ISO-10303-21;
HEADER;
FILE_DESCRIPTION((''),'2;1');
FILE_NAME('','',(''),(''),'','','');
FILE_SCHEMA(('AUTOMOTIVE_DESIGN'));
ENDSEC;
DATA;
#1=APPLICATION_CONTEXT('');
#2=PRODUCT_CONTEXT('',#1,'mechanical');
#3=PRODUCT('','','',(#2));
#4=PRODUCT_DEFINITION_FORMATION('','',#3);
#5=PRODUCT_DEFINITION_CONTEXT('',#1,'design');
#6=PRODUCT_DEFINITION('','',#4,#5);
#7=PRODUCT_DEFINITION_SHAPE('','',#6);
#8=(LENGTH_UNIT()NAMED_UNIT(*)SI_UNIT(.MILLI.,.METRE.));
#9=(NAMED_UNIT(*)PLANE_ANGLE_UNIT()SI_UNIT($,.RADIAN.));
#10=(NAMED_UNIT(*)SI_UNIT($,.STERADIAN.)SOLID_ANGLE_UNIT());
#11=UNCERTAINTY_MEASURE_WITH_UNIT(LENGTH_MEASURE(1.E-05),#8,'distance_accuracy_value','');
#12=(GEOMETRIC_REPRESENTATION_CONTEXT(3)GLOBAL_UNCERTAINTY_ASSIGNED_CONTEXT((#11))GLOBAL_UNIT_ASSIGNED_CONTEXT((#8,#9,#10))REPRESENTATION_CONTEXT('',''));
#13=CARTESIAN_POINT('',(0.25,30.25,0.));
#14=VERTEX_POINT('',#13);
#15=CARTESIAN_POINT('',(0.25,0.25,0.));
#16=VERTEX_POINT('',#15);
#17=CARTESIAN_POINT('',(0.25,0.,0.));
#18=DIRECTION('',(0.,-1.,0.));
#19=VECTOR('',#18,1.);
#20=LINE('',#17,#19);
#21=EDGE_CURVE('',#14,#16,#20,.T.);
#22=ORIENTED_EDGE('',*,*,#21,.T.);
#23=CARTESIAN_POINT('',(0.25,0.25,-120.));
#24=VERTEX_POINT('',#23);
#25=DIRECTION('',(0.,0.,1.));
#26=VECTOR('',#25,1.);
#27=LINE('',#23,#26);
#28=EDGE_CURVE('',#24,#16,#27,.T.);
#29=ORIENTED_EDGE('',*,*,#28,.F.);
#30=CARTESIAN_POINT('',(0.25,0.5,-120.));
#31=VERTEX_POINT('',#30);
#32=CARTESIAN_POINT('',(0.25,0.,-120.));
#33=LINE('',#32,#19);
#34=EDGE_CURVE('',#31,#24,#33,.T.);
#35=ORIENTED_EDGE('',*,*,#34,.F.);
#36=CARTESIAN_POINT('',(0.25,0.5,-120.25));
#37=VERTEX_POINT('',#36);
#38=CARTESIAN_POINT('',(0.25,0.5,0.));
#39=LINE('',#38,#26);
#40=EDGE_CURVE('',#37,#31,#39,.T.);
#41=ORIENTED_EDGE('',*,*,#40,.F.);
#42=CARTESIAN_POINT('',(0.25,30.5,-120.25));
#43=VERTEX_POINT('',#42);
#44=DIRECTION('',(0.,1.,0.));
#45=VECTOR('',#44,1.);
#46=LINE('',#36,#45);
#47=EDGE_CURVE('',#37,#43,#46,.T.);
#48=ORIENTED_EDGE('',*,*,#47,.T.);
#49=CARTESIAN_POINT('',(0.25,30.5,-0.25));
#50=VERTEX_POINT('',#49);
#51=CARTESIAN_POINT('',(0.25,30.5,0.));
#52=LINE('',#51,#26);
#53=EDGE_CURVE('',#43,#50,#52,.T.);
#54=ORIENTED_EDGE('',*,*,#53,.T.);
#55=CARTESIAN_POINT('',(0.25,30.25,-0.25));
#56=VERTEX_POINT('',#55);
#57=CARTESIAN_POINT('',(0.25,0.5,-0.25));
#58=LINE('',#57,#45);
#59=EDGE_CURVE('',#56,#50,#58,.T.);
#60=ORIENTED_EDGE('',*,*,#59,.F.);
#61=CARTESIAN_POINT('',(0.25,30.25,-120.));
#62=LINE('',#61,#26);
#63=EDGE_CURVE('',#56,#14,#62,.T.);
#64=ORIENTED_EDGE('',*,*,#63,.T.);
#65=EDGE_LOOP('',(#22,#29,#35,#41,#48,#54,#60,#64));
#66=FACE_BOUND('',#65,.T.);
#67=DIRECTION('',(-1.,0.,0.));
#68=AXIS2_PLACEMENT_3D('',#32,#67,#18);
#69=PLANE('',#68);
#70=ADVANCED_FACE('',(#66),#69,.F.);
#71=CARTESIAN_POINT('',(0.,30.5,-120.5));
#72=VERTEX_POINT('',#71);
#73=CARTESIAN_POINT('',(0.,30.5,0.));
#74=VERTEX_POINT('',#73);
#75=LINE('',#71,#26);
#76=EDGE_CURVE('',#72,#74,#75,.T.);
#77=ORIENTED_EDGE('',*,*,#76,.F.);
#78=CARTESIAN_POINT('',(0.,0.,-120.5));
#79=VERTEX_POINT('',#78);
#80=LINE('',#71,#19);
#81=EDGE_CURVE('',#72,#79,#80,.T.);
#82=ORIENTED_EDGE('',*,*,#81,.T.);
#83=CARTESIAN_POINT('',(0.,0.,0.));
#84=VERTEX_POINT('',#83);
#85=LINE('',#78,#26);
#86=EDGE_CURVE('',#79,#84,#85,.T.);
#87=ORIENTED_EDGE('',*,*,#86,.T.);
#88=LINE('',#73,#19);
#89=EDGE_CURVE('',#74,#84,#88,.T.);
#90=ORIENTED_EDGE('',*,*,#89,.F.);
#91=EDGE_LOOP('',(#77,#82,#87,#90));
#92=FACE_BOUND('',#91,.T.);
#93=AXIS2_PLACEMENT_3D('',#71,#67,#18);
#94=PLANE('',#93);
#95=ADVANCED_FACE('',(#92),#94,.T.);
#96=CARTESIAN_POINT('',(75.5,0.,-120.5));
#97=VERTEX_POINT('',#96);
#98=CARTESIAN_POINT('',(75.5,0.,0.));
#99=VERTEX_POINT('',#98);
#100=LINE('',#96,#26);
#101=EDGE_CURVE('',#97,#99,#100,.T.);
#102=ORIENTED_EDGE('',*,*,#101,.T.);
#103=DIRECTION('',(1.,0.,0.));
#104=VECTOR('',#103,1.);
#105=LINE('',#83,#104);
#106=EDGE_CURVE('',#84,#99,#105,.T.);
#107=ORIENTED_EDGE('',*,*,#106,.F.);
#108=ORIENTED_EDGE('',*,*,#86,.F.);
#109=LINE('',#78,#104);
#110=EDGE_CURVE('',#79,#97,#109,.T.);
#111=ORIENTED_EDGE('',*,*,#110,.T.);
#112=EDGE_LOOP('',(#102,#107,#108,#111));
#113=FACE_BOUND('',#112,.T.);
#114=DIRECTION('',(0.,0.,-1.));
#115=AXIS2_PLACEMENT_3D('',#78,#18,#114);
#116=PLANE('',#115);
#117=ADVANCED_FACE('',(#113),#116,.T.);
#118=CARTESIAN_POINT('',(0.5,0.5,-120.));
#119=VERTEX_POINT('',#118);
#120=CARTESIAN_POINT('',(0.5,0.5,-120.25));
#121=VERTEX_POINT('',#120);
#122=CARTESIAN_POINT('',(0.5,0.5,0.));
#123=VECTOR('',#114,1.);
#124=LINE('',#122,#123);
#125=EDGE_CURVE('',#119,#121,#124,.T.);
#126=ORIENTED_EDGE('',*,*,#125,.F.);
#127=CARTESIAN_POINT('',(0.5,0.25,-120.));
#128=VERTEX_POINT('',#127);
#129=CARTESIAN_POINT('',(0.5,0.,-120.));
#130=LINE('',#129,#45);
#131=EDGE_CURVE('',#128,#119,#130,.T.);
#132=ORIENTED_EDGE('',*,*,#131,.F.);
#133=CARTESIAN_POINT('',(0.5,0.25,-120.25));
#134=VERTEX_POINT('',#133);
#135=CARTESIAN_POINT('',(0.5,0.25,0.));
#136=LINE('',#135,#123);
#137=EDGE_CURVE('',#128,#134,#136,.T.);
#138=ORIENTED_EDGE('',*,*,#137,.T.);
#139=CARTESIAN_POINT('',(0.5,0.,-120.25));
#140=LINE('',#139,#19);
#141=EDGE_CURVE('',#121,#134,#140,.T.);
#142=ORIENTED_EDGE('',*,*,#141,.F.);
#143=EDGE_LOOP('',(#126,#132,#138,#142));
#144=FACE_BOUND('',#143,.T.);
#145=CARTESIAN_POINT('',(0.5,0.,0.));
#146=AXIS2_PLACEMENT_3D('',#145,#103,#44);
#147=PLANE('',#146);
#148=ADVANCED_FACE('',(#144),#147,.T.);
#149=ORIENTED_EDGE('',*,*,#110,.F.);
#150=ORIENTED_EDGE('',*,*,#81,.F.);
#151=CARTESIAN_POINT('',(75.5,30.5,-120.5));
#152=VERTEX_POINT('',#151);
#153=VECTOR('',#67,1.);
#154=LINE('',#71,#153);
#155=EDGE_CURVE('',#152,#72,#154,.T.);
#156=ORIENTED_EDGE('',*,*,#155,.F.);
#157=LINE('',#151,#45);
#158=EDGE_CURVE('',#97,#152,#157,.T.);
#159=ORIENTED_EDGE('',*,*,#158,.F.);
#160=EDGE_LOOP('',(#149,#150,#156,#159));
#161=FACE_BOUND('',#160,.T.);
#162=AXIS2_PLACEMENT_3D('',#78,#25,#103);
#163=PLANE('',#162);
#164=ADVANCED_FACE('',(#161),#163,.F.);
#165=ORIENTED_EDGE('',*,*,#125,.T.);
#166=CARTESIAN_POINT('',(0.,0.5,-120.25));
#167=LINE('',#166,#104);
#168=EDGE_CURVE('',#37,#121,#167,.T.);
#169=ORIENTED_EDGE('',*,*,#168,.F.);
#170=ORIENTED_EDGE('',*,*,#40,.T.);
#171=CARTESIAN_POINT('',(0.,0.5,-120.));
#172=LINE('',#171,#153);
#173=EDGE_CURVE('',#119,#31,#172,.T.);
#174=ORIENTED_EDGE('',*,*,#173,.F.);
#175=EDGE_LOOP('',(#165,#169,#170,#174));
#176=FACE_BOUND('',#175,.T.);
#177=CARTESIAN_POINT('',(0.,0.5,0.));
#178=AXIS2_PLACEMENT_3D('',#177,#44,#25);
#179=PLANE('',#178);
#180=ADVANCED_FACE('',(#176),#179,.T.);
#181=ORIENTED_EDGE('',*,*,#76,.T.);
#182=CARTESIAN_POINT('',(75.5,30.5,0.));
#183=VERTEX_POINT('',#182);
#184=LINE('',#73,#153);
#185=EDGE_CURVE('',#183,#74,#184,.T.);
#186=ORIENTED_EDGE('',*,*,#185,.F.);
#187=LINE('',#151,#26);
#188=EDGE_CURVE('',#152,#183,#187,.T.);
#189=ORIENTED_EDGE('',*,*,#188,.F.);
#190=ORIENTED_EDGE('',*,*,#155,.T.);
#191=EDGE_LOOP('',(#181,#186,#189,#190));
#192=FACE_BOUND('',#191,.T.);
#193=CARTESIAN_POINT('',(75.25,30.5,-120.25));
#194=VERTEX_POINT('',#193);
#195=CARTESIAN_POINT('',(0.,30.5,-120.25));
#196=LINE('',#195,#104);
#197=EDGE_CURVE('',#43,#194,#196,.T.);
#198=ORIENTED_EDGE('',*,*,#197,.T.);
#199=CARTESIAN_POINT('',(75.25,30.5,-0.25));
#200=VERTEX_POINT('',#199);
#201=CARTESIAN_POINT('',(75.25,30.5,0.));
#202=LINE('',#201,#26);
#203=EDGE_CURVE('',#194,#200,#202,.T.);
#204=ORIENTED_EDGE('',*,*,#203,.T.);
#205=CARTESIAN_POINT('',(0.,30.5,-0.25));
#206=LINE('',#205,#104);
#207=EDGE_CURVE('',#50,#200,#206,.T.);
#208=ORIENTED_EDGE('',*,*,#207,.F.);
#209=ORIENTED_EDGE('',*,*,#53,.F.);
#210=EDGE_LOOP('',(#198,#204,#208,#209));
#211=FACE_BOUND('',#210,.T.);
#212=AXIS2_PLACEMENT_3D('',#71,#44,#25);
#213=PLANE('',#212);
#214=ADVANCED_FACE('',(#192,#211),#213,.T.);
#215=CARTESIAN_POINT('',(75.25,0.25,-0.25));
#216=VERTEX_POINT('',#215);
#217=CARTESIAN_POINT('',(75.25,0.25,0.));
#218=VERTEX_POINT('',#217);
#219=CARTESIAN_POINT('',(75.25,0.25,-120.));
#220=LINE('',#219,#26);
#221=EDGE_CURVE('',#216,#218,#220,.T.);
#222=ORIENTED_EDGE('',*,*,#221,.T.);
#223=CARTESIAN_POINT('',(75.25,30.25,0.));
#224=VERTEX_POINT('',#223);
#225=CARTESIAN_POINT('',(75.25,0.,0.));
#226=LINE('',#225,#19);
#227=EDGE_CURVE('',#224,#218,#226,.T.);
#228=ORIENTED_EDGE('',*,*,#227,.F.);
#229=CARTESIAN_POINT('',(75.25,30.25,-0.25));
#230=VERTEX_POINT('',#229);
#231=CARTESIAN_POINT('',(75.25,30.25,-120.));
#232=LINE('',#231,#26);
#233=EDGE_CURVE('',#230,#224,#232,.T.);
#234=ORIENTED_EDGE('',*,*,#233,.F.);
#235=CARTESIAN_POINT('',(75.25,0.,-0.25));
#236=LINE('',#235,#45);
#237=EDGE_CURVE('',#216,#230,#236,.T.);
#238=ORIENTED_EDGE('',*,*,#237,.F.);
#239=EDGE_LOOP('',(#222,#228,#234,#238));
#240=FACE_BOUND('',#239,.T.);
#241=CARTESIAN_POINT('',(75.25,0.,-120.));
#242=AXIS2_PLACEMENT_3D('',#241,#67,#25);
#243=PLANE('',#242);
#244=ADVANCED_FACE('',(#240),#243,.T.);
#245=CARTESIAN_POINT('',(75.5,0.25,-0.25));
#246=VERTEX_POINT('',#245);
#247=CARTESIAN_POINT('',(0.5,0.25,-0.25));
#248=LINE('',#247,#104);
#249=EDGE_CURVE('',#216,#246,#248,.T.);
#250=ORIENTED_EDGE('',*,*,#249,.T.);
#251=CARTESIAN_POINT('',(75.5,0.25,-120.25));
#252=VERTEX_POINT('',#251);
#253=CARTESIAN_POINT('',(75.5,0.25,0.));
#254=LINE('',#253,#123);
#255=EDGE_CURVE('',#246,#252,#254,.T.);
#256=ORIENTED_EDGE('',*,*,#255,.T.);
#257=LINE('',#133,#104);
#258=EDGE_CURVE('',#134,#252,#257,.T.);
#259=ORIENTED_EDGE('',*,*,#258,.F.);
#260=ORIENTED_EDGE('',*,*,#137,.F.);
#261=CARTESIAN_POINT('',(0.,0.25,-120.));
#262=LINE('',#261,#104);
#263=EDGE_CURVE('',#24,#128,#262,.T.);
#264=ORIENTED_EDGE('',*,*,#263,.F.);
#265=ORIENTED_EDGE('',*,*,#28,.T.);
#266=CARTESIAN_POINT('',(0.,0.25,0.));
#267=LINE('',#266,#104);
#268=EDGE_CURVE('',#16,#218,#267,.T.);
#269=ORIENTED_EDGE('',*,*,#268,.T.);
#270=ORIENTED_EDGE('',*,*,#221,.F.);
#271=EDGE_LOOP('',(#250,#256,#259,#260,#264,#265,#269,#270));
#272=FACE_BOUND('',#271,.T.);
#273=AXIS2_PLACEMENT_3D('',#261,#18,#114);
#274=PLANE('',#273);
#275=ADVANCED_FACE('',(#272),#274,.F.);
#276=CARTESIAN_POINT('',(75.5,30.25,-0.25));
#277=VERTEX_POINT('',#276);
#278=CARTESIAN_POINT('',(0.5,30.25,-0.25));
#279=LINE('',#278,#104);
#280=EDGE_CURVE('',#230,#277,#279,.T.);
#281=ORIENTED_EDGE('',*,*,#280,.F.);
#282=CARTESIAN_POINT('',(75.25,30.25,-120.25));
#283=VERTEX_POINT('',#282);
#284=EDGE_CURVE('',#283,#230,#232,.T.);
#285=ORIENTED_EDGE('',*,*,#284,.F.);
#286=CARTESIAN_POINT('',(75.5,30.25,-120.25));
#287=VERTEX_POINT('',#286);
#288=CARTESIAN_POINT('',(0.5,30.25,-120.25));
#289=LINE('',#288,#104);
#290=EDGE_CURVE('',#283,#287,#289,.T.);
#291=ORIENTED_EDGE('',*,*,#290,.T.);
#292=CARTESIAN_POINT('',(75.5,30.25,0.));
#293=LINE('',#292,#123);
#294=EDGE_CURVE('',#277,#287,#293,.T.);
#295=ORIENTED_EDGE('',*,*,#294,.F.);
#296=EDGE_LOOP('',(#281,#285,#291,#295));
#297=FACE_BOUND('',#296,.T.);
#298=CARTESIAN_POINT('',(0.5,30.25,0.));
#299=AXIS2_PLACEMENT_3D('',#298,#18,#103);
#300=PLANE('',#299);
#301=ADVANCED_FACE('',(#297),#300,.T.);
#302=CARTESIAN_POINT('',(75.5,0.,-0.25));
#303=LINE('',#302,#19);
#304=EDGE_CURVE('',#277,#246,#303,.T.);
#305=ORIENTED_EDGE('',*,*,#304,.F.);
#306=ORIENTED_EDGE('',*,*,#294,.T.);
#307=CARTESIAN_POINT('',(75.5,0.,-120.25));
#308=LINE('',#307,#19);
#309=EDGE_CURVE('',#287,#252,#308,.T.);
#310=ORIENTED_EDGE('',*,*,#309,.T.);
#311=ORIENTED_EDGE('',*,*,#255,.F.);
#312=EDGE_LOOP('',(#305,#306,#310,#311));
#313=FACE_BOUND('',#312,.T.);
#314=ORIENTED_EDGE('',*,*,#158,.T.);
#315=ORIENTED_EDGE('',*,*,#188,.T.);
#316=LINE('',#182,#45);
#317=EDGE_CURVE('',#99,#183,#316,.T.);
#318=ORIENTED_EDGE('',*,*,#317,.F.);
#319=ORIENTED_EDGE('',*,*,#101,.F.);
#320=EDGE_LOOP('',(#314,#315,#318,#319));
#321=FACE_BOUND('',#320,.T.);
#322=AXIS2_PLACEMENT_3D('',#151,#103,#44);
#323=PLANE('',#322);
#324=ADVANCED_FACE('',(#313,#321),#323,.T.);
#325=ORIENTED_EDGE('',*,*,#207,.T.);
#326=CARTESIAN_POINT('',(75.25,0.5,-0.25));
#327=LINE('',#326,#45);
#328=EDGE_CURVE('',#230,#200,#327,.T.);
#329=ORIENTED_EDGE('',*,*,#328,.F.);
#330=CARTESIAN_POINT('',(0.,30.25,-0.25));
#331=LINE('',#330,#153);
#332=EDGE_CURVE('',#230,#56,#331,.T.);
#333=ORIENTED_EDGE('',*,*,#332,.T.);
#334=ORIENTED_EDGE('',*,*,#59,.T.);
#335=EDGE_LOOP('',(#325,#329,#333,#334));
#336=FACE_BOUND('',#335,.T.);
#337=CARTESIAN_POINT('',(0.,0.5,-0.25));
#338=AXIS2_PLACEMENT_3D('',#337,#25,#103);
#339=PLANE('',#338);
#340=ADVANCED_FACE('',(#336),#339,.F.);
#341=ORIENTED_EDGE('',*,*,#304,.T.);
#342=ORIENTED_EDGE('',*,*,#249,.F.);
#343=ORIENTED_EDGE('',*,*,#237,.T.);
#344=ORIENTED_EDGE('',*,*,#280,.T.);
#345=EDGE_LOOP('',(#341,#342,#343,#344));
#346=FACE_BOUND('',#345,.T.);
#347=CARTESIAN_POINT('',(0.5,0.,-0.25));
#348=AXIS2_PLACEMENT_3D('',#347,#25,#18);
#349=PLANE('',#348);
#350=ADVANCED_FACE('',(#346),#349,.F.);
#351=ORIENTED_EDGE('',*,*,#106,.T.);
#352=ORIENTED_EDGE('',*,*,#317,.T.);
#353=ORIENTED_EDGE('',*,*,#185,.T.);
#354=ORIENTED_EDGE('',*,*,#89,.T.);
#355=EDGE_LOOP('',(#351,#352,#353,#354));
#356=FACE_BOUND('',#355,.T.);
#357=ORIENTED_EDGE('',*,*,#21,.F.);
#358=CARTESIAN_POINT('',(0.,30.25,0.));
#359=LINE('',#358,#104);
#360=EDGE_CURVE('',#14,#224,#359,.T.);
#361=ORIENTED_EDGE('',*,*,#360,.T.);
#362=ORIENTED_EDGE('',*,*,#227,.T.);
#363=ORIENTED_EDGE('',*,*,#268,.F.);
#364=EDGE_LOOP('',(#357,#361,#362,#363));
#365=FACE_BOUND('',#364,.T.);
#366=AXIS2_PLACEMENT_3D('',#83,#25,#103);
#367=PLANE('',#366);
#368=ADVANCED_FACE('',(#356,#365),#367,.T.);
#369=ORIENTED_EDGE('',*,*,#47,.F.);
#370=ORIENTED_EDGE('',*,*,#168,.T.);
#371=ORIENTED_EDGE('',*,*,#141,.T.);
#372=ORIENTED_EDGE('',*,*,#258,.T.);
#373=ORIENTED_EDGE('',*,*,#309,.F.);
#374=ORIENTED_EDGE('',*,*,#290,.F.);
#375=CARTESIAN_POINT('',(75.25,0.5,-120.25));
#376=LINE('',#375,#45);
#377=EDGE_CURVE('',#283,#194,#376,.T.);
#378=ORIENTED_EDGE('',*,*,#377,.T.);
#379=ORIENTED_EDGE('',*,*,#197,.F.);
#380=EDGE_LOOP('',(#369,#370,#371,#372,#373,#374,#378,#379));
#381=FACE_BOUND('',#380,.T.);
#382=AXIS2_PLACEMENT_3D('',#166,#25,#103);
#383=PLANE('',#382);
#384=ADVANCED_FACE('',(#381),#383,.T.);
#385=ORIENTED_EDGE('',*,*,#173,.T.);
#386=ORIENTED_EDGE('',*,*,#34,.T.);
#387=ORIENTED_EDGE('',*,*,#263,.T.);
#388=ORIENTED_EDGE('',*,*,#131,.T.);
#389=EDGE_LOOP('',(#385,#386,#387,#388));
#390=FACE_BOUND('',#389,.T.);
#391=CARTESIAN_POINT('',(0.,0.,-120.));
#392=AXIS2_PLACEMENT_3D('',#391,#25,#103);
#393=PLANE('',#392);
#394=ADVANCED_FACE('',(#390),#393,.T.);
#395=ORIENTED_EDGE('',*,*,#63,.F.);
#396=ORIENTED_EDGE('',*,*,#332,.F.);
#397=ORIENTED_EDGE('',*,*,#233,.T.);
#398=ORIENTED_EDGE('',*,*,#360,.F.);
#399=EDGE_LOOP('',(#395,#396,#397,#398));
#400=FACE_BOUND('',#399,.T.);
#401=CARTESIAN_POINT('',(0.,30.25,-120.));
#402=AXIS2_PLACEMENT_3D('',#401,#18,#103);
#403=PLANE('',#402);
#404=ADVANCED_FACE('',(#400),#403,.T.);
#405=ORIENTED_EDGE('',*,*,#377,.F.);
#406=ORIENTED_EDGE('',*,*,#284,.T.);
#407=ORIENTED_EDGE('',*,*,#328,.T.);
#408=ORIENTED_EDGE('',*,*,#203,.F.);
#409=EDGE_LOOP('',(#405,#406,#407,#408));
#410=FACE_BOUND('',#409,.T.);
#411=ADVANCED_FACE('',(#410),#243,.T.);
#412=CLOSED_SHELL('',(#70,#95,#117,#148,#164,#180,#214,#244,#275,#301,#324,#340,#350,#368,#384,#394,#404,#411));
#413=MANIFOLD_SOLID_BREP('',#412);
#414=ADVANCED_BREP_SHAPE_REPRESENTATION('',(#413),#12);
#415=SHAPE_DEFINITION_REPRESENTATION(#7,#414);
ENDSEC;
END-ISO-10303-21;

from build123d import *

# Parameters (mm, degrees)
SKETCH2_W           = 75.5
SKETCH2_H           = 30.5
BOSS_EXTRUDE2_DEPTH = 120.5
SKETCH4_W           = 75
SKETCH4_H           = 30
CUT_EXTRUDE1_DEPTH  = 120
SKETCH5_W           = 75
SKETCH5_H           = 120
CUT_EXTRUDE2_DEPTH  = 30
SKETCH6_W           = 120
SKETCH6_H           = 30
CUT_EXTRUDE3_DEPTH  = 75


with BuildPart() as part:
    # Sketch2 → Boss-Extrude2 (new body)
    with BuildSketch(Plane.XY):
        with Locations((37.75, 15.25)):
            Rectangle(SKETCH2_W, SKETCH2_H)
    extrude(amount=-BOSS_EXTRUDE2_DEPTH)

    # Sketch4 → Cut-Extrude1 (cut)
    with BuildSketch(Plane.XY):
        with Locations((37.75, 15.25)):
            Rectangle(SKETCH4_W, SKETCH4_H)
    extrude(amount=-CUT_EXTRUDE1_DEPTH, mode=Mode.SUBTRACT)

    # Sketch5 → Cut-Extrude2 (cut)
    with BuildSketch(Plane(origin=(0, 30.5, 0), x_dir=(1, 0, 0), z_dir=(0, 1, 0))):
        with Locations((37.75, 60.25)):
            Rectangle(SKETCH5_W, SKETCH5_H)
    extrude(amount=-CUT_EXTRUDE2_DEPTH, mode=Mode.SUBTRACT)

    # Sketch6 → Cut-Extrude3 (cut)
    with BuildSketch(Plane(origin=(75.5, 0, 0), x_dir=(0, 0, -1), z_dir=(1, 0, 0))):
        with Locations((60.25, 15.25)):
            Rectangle(SKETCH6_W, SKETCH6_H)
    extrude(amount=-CUT_EXTRUDE3_DEPTH, mode=Mode.SUBTRACT)


solid = part.part
